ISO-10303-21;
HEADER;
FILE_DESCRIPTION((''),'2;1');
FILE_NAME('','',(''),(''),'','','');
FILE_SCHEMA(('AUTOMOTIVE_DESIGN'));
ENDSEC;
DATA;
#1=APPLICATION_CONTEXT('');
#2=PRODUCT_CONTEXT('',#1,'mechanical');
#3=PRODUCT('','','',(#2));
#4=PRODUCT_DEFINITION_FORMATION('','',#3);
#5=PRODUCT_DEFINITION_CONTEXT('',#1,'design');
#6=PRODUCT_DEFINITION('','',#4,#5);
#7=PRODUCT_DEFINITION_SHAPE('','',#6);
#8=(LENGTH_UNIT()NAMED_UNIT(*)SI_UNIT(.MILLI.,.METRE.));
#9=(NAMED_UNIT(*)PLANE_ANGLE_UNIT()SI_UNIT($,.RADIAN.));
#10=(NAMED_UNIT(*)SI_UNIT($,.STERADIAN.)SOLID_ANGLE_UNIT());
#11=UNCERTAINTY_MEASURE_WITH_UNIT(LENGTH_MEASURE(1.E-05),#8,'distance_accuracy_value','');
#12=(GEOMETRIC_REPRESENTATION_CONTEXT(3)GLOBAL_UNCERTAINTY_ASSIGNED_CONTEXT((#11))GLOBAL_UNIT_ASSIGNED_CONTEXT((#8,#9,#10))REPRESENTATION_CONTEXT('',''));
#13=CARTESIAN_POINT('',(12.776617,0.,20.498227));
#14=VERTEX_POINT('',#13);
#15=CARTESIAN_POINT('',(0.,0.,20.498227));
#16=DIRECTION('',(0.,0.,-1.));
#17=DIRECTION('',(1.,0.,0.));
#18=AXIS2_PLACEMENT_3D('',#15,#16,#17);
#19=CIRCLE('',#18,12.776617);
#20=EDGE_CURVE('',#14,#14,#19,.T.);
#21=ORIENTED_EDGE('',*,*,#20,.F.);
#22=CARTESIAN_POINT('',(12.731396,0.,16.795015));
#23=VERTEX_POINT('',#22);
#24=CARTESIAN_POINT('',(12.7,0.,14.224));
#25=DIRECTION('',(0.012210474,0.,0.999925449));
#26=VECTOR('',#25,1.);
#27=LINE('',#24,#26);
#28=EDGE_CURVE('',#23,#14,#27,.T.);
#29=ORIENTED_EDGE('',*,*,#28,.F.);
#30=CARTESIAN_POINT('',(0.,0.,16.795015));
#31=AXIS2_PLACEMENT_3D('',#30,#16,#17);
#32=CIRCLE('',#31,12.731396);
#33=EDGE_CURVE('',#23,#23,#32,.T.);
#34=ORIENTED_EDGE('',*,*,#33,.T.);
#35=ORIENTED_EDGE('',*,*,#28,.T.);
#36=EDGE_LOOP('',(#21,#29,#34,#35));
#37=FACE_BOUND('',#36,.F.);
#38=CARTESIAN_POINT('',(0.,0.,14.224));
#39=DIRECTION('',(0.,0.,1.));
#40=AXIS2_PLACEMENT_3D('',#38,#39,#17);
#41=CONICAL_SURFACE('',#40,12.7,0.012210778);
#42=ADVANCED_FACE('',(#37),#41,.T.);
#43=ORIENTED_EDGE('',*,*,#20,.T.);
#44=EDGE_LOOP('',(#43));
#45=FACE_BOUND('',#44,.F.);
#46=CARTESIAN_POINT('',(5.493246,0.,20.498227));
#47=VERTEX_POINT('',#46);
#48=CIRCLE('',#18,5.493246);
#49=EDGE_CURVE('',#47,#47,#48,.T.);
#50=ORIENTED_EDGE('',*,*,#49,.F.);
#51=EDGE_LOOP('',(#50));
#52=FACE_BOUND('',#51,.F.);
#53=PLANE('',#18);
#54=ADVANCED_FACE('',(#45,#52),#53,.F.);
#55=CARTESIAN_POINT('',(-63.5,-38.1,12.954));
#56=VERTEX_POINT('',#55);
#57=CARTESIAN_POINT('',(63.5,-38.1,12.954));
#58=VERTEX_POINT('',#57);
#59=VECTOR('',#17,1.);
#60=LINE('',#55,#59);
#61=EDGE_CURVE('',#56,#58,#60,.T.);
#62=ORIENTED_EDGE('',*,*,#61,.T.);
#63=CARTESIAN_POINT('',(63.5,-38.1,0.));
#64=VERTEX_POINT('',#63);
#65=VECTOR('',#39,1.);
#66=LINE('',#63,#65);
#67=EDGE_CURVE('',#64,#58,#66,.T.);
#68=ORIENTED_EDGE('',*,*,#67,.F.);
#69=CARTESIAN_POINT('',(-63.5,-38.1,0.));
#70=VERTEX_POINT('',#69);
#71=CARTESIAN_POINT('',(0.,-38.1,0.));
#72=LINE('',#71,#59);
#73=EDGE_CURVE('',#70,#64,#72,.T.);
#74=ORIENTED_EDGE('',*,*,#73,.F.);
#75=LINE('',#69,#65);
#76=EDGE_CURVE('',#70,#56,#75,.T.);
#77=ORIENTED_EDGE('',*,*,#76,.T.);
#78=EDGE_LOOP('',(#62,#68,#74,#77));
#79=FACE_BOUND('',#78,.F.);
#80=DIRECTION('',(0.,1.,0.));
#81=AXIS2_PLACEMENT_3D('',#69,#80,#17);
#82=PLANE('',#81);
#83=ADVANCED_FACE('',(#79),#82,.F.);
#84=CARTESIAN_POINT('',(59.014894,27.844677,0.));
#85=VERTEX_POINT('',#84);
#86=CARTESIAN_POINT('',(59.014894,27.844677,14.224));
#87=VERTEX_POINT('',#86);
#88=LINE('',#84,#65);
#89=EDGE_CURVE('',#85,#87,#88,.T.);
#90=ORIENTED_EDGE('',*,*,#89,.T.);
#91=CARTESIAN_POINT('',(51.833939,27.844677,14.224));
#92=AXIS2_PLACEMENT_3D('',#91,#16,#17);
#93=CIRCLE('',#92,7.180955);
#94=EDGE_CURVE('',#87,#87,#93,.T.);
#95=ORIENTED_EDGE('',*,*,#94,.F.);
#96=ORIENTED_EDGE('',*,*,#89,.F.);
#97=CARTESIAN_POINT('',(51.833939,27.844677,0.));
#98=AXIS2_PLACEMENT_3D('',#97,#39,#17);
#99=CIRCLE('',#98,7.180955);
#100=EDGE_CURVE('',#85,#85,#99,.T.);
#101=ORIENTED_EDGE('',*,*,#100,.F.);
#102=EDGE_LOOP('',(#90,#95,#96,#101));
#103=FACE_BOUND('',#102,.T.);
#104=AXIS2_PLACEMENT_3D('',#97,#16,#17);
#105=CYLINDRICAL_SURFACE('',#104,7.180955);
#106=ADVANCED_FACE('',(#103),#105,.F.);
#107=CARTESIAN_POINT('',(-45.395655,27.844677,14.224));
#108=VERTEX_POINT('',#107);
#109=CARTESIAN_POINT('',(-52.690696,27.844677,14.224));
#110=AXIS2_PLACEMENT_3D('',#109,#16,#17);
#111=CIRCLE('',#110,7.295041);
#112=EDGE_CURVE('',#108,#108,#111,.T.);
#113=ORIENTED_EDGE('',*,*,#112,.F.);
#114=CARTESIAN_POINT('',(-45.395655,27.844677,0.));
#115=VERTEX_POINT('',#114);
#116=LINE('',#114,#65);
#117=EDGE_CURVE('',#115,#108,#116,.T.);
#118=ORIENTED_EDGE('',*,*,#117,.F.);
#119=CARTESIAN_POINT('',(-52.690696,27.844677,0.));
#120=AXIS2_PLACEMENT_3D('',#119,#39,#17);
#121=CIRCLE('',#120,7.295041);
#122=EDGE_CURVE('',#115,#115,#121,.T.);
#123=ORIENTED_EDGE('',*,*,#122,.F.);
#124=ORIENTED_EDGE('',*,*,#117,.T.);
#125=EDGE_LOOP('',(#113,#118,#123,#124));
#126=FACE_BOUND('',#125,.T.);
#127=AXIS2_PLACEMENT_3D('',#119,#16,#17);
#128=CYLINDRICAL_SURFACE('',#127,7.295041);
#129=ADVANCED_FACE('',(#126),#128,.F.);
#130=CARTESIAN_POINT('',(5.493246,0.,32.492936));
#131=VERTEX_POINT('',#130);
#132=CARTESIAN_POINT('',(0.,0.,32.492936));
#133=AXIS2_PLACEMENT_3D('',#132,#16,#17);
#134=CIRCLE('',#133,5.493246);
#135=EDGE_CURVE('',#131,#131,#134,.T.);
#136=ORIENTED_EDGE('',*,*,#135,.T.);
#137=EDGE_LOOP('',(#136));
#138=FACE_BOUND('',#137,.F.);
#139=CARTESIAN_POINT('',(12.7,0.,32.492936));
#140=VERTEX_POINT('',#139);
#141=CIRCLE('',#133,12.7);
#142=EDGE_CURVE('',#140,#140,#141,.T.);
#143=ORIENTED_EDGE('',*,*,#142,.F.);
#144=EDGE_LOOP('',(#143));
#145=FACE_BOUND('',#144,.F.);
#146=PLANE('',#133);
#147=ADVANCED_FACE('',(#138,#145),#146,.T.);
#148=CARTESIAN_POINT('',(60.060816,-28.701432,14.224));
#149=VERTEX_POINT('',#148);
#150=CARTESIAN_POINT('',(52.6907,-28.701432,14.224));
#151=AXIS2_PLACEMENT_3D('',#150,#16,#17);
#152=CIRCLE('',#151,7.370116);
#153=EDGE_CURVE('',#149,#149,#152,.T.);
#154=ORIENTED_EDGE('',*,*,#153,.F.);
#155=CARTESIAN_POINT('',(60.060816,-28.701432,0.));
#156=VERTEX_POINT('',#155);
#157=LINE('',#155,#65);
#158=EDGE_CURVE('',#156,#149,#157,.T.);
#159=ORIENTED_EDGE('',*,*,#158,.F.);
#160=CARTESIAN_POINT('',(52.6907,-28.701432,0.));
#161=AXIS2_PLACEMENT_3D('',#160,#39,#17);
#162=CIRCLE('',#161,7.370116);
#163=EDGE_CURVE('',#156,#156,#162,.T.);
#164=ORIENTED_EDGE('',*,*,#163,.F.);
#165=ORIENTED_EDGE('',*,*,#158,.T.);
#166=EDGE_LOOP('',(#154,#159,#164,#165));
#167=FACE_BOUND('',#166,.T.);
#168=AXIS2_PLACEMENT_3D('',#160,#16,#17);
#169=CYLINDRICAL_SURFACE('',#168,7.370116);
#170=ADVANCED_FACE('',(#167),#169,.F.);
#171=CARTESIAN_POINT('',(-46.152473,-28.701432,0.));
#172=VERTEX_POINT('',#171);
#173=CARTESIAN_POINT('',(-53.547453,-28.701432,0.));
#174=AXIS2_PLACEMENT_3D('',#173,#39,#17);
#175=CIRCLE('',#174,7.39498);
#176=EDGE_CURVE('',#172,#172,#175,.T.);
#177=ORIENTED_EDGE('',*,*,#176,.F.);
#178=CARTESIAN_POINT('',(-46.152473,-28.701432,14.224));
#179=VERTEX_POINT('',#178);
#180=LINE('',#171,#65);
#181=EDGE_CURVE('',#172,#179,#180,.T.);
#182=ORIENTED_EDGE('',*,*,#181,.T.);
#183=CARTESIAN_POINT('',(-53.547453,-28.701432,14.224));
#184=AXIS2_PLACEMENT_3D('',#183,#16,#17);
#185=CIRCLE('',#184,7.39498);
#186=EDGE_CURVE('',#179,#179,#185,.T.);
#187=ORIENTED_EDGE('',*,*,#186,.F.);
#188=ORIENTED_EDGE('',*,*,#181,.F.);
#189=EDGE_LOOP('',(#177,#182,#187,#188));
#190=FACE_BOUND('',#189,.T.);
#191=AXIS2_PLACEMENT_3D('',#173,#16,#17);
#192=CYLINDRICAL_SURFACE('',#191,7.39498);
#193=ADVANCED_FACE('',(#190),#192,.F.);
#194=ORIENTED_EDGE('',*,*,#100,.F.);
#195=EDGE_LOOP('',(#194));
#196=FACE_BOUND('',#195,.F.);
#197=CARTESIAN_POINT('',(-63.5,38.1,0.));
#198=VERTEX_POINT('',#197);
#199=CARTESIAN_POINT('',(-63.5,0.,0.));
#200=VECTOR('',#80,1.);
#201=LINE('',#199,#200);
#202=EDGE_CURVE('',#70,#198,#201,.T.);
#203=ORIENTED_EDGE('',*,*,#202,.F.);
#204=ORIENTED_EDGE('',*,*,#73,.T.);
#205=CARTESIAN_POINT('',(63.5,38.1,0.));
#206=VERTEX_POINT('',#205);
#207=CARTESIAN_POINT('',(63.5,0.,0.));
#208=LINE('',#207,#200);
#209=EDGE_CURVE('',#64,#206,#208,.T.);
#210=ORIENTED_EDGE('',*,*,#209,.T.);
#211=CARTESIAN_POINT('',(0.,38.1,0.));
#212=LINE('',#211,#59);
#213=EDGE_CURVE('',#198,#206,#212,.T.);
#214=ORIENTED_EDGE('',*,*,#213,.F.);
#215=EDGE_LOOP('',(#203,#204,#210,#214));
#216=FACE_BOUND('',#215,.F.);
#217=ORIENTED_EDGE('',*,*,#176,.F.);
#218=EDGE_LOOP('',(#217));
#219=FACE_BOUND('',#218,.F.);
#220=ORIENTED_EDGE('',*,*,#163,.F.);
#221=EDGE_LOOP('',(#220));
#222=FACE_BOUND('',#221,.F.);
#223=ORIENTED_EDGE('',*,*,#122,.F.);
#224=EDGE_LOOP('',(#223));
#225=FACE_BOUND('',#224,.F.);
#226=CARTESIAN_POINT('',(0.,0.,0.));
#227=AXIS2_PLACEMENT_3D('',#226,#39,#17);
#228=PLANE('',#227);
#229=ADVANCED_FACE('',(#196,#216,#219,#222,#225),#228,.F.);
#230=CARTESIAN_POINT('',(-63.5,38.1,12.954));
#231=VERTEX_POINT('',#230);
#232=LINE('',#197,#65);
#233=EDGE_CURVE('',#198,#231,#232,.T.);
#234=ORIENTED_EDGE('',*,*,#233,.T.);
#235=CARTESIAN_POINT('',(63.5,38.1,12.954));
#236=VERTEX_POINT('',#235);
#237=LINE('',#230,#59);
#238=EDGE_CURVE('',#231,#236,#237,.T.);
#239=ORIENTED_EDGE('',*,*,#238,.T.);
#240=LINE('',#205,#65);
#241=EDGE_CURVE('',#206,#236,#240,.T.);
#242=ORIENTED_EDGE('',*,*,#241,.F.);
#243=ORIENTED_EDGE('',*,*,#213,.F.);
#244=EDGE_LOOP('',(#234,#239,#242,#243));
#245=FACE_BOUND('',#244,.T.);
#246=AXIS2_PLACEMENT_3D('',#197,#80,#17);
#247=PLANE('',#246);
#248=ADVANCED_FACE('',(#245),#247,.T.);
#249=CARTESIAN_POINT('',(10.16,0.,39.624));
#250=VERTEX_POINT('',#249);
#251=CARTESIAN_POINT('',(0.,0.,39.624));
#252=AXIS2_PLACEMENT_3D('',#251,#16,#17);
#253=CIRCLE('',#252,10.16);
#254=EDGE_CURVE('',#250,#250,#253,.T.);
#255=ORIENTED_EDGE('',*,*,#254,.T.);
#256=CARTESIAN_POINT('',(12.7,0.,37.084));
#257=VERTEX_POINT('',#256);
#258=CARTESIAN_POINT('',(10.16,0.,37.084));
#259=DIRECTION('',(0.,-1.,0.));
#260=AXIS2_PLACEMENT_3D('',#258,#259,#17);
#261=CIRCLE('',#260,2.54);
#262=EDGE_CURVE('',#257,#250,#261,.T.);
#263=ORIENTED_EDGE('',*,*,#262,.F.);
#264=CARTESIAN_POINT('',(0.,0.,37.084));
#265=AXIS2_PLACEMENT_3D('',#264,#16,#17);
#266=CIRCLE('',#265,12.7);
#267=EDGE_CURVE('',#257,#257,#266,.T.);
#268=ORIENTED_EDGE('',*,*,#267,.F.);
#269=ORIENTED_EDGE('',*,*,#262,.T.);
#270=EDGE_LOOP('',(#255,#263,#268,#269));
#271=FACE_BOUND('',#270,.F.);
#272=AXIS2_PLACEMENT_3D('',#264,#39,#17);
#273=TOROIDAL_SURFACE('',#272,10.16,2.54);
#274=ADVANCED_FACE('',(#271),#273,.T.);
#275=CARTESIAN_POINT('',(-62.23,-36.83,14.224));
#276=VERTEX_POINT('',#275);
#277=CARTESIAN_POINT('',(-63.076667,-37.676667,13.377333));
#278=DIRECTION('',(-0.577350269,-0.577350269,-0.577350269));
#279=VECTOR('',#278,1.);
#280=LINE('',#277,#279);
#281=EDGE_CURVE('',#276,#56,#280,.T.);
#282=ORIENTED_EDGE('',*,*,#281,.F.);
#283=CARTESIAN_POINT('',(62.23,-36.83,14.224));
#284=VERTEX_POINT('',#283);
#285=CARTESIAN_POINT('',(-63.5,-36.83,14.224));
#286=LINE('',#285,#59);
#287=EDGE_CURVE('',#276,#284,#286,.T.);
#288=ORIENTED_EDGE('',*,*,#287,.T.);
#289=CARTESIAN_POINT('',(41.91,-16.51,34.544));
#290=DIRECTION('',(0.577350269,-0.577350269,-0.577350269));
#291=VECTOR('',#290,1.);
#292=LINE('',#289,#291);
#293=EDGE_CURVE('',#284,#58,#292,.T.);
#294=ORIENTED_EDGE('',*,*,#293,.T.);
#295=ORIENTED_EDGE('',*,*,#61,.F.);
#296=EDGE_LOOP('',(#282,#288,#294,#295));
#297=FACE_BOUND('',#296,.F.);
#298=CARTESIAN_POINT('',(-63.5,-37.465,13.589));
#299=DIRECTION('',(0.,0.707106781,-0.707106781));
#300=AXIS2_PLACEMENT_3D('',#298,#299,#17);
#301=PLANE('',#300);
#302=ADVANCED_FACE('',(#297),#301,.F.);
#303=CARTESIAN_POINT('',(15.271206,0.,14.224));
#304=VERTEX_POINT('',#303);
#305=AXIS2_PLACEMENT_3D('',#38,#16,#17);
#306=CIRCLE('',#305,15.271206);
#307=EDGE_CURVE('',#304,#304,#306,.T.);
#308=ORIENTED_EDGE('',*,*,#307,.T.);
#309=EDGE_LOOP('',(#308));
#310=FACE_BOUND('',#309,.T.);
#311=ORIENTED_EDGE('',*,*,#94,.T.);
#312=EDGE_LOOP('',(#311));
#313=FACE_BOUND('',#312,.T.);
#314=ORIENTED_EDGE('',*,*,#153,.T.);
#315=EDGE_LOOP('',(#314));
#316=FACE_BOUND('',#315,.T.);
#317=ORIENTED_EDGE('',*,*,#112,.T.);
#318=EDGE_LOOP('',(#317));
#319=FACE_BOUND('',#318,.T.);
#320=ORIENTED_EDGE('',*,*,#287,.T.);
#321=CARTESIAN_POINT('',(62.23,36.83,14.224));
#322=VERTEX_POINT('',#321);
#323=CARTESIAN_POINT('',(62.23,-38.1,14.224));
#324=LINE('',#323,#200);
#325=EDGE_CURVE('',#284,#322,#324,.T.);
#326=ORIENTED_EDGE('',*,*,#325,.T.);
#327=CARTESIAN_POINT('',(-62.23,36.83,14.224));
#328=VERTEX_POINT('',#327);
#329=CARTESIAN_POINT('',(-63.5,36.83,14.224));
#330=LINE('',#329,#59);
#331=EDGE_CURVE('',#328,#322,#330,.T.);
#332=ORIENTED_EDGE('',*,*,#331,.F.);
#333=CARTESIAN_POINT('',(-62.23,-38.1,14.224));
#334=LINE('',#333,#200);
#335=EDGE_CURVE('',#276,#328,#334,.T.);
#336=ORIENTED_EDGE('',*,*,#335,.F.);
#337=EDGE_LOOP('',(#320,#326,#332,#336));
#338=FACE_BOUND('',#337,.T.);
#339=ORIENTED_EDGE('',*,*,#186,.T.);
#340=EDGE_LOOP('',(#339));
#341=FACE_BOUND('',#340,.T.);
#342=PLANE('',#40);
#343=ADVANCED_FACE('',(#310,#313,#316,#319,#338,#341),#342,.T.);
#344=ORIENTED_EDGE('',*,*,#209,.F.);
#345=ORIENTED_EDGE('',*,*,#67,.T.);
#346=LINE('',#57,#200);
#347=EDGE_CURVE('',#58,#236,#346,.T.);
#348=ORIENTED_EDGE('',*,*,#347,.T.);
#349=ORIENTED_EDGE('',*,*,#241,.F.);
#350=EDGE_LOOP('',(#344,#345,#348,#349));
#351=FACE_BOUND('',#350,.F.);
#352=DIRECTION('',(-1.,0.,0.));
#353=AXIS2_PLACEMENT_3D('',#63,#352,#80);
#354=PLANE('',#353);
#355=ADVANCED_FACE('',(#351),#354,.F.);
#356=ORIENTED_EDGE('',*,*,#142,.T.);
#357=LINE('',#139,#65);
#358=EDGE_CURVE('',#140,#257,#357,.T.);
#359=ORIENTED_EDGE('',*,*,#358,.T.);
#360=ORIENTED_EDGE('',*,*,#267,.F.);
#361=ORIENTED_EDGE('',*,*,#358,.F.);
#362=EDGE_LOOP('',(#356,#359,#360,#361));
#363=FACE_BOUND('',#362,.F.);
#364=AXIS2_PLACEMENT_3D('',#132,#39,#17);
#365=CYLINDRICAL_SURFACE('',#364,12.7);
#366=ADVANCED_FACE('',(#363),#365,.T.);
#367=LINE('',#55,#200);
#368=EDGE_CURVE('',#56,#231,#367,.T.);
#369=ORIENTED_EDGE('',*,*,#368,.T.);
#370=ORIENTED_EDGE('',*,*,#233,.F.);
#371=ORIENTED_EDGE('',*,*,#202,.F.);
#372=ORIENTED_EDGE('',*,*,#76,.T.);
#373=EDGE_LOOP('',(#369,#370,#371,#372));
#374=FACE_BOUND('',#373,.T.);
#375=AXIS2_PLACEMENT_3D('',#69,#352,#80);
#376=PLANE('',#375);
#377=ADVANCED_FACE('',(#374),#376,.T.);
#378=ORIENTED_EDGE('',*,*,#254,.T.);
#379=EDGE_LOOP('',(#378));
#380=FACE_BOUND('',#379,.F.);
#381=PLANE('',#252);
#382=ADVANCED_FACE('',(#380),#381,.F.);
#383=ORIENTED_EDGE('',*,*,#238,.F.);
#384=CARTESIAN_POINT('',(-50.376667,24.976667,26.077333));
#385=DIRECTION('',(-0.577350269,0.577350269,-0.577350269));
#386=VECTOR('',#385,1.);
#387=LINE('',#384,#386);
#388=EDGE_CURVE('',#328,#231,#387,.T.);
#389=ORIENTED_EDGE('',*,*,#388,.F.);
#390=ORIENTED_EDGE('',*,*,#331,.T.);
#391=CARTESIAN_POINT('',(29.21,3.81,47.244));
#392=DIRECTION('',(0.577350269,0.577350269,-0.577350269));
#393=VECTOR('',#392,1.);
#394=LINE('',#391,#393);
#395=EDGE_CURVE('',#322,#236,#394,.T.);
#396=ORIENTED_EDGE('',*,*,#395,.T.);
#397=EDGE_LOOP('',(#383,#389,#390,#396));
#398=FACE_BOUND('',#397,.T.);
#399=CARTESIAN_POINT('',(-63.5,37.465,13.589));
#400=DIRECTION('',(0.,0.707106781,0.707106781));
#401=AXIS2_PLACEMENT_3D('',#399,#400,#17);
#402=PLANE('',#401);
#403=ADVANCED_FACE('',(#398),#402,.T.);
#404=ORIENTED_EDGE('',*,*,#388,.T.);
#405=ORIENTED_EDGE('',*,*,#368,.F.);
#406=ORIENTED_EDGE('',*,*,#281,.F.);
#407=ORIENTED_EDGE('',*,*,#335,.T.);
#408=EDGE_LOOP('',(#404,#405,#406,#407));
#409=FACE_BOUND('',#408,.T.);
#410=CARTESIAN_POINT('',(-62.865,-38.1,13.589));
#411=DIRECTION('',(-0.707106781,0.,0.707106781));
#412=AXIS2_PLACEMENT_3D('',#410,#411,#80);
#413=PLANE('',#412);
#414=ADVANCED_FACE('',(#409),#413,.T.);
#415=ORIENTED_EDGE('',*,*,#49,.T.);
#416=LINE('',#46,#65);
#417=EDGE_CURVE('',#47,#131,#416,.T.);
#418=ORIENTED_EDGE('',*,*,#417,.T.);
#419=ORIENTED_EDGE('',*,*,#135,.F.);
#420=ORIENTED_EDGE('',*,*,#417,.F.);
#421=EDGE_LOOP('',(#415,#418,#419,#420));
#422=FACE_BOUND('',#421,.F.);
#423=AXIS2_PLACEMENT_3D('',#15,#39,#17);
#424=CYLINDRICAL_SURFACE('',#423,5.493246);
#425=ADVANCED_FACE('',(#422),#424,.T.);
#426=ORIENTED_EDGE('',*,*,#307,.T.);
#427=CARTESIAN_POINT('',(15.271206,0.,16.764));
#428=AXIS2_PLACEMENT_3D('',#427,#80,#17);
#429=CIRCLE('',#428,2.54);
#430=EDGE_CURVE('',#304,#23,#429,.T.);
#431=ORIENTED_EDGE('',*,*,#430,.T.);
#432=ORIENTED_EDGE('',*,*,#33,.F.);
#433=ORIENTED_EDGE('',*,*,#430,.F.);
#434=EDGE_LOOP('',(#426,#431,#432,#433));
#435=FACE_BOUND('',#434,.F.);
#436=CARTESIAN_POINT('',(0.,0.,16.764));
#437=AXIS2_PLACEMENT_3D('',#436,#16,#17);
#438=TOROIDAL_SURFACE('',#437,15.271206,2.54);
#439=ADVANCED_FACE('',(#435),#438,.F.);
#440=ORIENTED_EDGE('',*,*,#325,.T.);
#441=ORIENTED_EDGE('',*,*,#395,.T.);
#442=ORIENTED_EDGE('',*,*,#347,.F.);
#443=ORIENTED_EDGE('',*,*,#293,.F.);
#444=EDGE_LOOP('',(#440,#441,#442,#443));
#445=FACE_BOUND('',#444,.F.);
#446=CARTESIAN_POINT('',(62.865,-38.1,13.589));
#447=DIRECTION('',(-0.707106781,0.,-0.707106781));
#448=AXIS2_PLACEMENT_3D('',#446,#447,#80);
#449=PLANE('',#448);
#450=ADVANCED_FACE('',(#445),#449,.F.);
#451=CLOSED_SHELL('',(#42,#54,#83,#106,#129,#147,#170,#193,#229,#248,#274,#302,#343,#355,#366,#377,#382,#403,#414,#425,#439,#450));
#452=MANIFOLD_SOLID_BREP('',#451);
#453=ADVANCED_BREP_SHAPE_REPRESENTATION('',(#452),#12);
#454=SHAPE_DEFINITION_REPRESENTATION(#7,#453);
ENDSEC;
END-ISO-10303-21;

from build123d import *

# Parameters (mm, degrees)
F0_W     = 127
F0_H     = 76.2
F1_DEPTH = 14.224
F2_R     = 7.295041
F2_R_2   = 7.180955
F2_R_3   = 7.370116
F2_R_4   = 7.39498
F3_DEPTH = 27.94
F6_R     = 2.54
F7_SIZE  = 1.27


with BuildPart() as f1:
    # F0 (on Top) → F1 (new body)
    with BuildSketch(Plane.XY):
        Rectangle(F0_W, F0_H)
    extrude(amount=F1_DEPTH)

    # F2 (on Top) → F3 (cut)
    with BuildSketch(Plane.XY):
        with Locations((-52.690696, 27.844677)):
            Circle(F2_R)
        with Locations((51.833939, 27.844677)):
            Circle(F2_R_2)
        with Locations((52.6907, -28.701432)):
            Circle(F2_R_3)
        with Locations((-53.547453, -28.701432)):
            Circle(F2_R_4)
    extrude(amount=F3_DEPTH, mode=Mode.SUBTRACT)

    # F4 (on Front) → F5 (revolve)
    with BuildSketch(Plane.XZ):
        Polygon((12.7, 39.624), (0, 39.624), (0, 14.224), (12.7, 14.224), (12.776617, 20.498227), (5.493246, 20.498227), (5.493246, 25.638863), (5.493246, 32.492936), (12.7, 32.492936), align=None)
    revolve(axis=Axis((0, 0, 26.924), (0, 0, -1)))

    # F6
    f6_edges = [f1.edges().sort_by_distance(p)[0] for p in [
        (-12.7, 0, 39.624),
        (-12.7, 0, 14.224),
    ]]
    fillet(f6_edges, radius=F6_R)

    # F7
    f7_edges = [f1.edges().sort_by_distance(p)[0] for p in [
        (0, -38.1, 14.224),
        (63.5, 0, 14.224),
        (0, 38.1, 14.224),
        (-63.5, 0, 14.224),
    ]]
    chamfer(f7_edges, length=F7_SIZE)


solid = f1.part
